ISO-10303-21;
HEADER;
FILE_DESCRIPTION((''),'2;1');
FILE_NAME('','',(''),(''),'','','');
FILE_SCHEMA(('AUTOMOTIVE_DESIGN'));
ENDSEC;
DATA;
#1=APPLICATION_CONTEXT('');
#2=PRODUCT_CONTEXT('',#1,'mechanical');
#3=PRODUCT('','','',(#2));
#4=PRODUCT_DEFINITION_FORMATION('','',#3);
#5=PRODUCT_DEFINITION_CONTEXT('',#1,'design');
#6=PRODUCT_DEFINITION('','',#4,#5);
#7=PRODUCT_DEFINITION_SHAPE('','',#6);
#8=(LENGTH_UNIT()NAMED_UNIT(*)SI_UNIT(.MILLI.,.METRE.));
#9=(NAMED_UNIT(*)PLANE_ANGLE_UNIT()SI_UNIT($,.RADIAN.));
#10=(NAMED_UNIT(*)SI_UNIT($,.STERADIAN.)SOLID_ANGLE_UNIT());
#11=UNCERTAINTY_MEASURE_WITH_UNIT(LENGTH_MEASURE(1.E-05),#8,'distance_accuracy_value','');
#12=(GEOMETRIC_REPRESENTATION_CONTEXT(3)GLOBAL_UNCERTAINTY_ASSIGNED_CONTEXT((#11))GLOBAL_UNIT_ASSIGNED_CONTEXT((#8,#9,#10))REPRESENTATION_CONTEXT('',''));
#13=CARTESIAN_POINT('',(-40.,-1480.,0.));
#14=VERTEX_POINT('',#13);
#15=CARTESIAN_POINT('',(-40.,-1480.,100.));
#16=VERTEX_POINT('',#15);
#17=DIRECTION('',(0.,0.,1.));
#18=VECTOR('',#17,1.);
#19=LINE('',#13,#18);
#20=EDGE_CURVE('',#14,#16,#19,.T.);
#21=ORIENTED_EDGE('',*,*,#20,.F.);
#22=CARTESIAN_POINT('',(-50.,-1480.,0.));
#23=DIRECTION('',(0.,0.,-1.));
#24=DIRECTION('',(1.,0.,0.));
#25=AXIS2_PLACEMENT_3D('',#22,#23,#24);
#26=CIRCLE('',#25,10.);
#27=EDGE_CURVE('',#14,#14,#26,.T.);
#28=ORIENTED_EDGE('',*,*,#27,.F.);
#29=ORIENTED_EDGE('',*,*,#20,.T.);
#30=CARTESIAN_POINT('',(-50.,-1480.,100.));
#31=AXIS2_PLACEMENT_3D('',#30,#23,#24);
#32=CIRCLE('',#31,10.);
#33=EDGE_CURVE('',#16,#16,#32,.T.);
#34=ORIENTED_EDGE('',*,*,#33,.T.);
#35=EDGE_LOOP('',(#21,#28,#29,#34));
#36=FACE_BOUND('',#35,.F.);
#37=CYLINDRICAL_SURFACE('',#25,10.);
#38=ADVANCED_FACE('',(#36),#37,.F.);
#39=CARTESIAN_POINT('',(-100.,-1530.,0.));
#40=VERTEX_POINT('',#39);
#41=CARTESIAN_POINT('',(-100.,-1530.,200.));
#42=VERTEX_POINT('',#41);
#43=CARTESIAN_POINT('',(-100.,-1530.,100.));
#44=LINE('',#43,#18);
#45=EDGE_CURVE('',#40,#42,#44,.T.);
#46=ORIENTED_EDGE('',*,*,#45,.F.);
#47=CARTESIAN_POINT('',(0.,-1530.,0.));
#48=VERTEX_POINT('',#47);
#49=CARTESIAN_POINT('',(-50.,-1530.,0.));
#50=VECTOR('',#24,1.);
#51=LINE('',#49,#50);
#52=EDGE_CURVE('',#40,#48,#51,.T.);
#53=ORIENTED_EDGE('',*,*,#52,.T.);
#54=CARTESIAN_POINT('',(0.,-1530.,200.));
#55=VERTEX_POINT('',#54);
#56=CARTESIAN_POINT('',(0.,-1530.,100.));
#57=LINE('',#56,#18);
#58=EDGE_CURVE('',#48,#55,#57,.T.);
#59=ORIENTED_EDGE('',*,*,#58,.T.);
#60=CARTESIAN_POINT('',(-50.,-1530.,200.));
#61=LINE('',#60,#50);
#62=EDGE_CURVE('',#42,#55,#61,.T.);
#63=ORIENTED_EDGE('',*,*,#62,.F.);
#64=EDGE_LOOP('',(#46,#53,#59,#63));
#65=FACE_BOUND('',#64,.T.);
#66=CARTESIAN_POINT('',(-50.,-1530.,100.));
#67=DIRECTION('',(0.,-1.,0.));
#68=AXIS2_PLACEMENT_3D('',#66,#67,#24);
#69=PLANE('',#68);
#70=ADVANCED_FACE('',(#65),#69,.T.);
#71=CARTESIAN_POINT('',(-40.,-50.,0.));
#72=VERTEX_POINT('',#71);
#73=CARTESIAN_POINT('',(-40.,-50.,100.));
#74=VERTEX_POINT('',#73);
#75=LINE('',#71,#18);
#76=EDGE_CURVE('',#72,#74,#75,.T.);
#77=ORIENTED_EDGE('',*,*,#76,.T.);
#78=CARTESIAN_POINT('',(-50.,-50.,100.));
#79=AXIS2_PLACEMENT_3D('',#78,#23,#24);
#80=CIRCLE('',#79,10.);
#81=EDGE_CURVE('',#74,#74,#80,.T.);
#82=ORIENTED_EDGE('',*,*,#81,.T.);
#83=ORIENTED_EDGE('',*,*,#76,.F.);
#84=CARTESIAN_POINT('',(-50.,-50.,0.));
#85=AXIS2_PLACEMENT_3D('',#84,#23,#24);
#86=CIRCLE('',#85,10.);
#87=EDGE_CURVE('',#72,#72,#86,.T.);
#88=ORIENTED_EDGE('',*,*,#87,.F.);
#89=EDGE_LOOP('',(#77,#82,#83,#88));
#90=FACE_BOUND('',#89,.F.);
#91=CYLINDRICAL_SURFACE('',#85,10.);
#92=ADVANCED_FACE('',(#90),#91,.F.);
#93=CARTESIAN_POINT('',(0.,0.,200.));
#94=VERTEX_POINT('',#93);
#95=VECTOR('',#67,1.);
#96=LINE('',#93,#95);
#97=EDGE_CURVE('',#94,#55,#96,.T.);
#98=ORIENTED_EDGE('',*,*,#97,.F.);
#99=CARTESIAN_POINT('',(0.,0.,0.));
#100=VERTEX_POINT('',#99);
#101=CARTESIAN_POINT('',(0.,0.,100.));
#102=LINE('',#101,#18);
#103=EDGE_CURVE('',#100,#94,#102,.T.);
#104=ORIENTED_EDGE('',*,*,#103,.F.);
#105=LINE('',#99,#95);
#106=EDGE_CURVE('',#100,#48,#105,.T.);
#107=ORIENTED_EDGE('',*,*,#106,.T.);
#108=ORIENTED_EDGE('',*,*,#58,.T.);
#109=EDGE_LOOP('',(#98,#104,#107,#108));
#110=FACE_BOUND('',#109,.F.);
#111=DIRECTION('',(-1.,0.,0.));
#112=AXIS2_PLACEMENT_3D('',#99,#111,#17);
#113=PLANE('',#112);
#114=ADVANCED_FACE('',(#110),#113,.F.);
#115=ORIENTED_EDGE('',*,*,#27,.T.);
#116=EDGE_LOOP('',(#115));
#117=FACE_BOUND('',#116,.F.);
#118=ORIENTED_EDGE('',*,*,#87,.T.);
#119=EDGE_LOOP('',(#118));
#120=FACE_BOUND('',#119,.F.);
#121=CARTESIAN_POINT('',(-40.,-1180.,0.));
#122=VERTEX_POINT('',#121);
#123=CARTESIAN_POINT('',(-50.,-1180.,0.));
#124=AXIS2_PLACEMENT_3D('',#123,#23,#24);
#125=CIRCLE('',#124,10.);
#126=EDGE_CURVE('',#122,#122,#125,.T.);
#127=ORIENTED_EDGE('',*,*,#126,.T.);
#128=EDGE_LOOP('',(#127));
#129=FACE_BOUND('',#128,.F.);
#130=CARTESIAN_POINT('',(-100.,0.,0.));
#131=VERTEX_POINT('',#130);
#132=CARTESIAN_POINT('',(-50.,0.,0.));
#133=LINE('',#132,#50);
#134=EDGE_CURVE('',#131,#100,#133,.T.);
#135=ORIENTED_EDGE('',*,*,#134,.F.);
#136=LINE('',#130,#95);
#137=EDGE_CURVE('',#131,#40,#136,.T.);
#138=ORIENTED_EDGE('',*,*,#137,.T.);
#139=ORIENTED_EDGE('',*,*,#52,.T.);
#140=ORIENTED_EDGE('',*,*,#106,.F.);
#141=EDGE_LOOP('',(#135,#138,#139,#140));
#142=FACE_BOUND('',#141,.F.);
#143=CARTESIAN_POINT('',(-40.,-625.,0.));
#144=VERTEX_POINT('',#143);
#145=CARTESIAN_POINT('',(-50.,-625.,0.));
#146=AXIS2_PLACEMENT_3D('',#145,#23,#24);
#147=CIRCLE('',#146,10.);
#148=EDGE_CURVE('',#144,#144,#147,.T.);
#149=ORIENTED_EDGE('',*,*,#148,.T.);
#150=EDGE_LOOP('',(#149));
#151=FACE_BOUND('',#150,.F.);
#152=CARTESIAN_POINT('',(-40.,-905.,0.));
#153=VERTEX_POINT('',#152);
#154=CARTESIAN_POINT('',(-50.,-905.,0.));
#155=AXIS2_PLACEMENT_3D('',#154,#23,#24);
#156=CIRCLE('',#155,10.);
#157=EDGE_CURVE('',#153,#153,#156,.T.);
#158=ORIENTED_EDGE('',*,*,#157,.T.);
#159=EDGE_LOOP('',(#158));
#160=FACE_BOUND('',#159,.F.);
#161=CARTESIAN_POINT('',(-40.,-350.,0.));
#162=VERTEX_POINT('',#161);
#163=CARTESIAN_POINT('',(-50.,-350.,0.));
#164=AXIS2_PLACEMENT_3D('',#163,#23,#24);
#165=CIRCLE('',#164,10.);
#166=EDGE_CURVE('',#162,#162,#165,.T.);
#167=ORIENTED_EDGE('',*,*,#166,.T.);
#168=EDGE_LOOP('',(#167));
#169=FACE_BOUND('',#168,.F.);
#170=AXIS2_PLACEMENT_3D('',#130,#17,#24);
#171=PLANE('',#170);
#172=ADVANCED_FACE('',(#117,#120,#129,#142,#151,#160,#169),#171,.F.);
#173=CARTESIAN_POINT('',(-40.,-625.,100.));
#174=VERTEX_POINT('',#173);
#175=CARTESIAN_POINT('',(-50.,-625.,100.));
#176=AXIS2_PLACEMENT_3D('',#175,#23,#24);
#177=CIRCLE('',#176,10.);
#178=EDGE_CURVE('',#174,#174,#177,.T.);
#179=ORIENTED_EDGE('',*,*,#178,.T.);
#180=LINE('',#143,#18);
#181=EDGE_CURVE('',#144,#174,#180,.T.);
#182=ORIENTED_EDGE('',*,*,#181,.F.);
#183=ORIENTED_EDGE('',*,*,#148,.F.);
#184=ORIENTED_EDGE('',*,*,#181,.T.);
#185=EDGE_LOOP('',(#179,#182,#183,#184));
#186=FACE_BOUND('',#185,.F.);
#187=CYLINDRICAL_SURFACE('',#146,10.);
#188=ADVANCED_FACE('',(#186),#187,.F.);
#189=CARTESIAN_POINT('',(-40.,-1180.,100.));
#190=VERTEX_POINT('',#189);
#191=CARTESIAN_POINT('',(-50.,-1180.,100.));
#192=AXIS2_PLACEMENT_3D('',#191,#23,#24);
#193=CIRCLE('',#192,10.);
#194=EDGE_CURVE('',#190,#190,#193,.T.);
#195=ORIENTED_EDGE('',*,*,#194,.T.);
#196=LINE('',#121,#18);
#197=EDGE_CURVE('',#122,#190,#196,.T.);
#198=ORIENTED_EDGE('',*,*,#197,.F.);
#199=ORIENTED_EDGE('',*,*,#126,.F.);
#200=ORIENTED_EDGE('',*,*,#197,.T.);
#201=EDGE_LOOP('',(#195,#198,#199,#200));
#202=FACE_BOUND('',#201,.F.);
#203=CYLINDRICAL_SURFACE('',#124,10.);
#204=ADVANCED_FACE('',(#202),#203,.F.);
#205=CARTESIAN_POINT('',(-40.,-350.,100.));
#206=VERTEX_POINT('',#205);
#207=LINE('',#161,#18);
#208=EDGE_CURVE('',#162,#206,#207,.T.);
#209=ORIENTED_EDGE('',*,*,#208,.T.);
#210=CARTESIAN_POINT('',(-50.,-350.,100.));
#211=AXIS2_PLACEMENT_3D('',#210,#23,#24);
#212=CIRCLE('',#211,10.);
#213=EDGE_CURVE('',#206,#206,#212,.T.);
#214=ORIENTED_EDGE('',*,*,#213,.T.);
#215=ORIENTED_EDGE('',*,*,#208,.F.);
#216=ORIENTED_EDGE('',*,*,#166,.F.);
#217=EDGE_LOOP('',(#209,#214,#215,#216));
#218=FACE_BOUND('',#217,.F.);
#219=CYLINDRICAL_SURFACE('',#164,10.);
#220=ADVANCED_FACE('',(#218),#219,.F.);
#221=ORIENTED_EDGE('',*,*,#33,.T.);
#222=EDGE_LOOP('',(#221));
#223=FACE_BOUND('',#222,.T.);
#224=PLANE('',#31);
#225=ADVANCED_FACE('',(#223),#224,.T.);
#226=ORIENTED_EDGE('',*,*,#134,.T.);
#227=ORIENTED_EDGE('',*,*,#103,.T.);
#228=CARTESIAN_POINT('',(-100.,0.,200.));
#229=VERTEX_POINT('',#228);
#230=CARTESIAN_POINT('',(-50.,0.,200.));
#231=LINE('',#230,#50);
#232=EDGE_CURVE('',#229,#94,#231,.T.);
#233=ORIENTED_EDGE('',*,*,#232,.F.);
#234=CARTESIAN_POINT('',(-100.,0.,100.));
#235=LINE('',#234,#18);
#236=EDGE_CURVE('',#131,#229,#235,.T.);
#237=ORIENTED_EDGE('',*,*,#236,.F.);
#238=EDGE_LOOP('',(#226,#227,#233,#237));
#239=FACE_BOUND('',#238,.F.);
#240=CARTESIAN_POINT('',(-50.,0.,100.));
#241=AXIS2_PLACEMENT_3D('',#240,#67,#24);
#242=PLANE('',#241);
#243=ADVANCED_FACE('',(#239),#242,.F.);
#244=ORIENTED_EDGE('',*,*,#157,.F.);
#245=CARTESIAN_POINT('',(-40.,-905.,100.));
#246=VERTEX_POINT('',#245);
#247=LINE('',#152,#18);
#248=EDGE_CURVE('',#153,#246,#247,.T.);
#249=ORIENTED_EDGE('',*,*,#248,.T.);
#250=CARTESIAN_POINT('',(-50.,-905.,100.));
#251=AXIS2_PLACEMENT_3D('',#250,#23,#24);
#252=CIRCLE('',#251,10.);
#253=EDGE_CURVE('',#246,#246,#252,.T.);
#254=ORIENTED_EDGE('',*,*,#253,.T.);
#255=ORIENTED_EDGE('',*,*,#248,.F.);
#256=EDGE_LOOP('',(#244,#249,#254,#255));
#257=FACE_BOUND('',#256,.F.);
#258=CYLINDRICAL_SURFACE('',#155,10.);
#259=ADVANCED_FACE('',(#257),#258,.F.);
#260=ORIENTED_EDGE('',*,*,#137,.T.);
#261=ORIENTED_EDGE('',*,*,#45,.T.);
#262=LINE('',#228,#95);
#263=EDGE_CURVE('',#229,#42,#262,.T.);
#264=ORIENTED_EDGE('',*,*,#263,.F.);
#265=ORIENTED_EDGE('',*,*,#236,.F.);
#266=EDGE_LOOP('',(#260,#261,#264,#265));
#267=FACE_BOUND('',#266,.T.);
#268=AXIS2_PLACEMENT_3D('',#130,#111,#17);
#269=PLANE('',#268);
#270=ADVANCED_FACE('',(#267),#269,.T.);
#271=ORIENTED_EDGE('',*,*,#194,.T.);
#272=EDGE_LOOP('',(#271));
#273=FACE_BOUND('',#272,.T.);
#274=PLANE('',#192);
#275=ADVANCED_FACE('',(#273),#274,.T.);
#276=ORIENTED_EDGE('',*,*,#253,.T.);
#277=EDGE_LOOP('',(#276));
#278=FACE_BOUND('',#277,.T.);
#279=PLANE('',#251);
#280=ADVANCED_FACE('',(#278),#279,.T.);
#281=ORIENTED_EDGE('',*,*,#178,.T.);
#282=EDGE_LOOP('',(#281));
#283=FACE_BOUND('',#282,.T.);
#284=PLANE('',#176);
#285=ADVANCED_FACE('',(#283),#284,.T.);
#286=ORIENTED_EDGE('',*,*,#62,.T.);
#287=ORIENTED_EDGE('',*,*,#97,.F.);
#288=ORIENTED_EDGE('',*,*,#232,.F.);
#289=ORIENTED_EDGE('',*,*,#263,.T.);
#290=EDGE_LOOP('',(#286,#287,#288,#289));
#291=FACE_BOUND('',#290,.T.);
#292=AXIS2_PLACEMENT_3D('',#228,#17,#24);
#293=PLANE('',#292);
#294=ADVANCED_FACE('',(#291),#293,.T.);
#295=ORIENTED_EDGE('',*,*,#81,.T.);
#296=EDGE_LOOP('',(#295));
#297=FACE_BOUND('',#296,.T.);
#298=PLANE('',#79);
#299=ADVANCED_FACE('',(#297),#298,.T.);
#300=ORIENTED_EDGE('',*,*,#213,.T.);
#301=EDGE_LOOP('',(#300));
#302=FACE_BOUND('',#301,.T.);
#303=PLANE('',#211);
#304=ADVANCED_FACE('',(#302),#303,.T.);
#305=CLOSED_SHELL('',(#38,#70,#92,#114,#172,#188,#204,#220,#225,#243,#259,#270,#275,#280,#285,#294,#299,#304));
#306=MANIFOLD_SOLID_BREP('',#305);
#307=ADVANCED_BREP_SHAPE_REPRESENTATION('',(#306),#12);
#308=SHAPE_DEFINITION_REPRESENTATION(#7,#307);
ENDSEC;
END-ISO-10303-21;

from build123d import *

# Parameters (mm, degrees)
F0_W     = 100
F0_H     = 200
F1_DEPTH = 1530
F2_R     = 10
F3_DEPTH = 100


with BuildPart() as f1:
    # F0 (on Front) → F1 (new body)
    with BuildSketch(Plane.XZ):
        with Locations((-50, 100)):
            Rectangle(F0_W, F0_H)
    extrude(amount=F1_DEPTH)

    # F2 (on face) → F3 (cut)
    with BuildSketch(Plane(origin=(0, 0, 0), x_dir=(1, 0, 0), z_dir=(0, 0, -1))):
        with Locations((-50, 1180)):
            Circle(F2_R)
        with Locations((-50, 905)):
            Circle(F2_R)
        with Locations((-50, 625)):
            Circle(F2_R)
        with Locations((-50, 350)):
            Circle(F2_R)
        with Locations((-50, 1480)):
            Circle(F2_R)
        with Locations((-50, 50)):
            Circle(F2_R)
    extrude(amount=-F3_DEPTH, mode=Mode.SUBTRACT)


solid = f1.part
